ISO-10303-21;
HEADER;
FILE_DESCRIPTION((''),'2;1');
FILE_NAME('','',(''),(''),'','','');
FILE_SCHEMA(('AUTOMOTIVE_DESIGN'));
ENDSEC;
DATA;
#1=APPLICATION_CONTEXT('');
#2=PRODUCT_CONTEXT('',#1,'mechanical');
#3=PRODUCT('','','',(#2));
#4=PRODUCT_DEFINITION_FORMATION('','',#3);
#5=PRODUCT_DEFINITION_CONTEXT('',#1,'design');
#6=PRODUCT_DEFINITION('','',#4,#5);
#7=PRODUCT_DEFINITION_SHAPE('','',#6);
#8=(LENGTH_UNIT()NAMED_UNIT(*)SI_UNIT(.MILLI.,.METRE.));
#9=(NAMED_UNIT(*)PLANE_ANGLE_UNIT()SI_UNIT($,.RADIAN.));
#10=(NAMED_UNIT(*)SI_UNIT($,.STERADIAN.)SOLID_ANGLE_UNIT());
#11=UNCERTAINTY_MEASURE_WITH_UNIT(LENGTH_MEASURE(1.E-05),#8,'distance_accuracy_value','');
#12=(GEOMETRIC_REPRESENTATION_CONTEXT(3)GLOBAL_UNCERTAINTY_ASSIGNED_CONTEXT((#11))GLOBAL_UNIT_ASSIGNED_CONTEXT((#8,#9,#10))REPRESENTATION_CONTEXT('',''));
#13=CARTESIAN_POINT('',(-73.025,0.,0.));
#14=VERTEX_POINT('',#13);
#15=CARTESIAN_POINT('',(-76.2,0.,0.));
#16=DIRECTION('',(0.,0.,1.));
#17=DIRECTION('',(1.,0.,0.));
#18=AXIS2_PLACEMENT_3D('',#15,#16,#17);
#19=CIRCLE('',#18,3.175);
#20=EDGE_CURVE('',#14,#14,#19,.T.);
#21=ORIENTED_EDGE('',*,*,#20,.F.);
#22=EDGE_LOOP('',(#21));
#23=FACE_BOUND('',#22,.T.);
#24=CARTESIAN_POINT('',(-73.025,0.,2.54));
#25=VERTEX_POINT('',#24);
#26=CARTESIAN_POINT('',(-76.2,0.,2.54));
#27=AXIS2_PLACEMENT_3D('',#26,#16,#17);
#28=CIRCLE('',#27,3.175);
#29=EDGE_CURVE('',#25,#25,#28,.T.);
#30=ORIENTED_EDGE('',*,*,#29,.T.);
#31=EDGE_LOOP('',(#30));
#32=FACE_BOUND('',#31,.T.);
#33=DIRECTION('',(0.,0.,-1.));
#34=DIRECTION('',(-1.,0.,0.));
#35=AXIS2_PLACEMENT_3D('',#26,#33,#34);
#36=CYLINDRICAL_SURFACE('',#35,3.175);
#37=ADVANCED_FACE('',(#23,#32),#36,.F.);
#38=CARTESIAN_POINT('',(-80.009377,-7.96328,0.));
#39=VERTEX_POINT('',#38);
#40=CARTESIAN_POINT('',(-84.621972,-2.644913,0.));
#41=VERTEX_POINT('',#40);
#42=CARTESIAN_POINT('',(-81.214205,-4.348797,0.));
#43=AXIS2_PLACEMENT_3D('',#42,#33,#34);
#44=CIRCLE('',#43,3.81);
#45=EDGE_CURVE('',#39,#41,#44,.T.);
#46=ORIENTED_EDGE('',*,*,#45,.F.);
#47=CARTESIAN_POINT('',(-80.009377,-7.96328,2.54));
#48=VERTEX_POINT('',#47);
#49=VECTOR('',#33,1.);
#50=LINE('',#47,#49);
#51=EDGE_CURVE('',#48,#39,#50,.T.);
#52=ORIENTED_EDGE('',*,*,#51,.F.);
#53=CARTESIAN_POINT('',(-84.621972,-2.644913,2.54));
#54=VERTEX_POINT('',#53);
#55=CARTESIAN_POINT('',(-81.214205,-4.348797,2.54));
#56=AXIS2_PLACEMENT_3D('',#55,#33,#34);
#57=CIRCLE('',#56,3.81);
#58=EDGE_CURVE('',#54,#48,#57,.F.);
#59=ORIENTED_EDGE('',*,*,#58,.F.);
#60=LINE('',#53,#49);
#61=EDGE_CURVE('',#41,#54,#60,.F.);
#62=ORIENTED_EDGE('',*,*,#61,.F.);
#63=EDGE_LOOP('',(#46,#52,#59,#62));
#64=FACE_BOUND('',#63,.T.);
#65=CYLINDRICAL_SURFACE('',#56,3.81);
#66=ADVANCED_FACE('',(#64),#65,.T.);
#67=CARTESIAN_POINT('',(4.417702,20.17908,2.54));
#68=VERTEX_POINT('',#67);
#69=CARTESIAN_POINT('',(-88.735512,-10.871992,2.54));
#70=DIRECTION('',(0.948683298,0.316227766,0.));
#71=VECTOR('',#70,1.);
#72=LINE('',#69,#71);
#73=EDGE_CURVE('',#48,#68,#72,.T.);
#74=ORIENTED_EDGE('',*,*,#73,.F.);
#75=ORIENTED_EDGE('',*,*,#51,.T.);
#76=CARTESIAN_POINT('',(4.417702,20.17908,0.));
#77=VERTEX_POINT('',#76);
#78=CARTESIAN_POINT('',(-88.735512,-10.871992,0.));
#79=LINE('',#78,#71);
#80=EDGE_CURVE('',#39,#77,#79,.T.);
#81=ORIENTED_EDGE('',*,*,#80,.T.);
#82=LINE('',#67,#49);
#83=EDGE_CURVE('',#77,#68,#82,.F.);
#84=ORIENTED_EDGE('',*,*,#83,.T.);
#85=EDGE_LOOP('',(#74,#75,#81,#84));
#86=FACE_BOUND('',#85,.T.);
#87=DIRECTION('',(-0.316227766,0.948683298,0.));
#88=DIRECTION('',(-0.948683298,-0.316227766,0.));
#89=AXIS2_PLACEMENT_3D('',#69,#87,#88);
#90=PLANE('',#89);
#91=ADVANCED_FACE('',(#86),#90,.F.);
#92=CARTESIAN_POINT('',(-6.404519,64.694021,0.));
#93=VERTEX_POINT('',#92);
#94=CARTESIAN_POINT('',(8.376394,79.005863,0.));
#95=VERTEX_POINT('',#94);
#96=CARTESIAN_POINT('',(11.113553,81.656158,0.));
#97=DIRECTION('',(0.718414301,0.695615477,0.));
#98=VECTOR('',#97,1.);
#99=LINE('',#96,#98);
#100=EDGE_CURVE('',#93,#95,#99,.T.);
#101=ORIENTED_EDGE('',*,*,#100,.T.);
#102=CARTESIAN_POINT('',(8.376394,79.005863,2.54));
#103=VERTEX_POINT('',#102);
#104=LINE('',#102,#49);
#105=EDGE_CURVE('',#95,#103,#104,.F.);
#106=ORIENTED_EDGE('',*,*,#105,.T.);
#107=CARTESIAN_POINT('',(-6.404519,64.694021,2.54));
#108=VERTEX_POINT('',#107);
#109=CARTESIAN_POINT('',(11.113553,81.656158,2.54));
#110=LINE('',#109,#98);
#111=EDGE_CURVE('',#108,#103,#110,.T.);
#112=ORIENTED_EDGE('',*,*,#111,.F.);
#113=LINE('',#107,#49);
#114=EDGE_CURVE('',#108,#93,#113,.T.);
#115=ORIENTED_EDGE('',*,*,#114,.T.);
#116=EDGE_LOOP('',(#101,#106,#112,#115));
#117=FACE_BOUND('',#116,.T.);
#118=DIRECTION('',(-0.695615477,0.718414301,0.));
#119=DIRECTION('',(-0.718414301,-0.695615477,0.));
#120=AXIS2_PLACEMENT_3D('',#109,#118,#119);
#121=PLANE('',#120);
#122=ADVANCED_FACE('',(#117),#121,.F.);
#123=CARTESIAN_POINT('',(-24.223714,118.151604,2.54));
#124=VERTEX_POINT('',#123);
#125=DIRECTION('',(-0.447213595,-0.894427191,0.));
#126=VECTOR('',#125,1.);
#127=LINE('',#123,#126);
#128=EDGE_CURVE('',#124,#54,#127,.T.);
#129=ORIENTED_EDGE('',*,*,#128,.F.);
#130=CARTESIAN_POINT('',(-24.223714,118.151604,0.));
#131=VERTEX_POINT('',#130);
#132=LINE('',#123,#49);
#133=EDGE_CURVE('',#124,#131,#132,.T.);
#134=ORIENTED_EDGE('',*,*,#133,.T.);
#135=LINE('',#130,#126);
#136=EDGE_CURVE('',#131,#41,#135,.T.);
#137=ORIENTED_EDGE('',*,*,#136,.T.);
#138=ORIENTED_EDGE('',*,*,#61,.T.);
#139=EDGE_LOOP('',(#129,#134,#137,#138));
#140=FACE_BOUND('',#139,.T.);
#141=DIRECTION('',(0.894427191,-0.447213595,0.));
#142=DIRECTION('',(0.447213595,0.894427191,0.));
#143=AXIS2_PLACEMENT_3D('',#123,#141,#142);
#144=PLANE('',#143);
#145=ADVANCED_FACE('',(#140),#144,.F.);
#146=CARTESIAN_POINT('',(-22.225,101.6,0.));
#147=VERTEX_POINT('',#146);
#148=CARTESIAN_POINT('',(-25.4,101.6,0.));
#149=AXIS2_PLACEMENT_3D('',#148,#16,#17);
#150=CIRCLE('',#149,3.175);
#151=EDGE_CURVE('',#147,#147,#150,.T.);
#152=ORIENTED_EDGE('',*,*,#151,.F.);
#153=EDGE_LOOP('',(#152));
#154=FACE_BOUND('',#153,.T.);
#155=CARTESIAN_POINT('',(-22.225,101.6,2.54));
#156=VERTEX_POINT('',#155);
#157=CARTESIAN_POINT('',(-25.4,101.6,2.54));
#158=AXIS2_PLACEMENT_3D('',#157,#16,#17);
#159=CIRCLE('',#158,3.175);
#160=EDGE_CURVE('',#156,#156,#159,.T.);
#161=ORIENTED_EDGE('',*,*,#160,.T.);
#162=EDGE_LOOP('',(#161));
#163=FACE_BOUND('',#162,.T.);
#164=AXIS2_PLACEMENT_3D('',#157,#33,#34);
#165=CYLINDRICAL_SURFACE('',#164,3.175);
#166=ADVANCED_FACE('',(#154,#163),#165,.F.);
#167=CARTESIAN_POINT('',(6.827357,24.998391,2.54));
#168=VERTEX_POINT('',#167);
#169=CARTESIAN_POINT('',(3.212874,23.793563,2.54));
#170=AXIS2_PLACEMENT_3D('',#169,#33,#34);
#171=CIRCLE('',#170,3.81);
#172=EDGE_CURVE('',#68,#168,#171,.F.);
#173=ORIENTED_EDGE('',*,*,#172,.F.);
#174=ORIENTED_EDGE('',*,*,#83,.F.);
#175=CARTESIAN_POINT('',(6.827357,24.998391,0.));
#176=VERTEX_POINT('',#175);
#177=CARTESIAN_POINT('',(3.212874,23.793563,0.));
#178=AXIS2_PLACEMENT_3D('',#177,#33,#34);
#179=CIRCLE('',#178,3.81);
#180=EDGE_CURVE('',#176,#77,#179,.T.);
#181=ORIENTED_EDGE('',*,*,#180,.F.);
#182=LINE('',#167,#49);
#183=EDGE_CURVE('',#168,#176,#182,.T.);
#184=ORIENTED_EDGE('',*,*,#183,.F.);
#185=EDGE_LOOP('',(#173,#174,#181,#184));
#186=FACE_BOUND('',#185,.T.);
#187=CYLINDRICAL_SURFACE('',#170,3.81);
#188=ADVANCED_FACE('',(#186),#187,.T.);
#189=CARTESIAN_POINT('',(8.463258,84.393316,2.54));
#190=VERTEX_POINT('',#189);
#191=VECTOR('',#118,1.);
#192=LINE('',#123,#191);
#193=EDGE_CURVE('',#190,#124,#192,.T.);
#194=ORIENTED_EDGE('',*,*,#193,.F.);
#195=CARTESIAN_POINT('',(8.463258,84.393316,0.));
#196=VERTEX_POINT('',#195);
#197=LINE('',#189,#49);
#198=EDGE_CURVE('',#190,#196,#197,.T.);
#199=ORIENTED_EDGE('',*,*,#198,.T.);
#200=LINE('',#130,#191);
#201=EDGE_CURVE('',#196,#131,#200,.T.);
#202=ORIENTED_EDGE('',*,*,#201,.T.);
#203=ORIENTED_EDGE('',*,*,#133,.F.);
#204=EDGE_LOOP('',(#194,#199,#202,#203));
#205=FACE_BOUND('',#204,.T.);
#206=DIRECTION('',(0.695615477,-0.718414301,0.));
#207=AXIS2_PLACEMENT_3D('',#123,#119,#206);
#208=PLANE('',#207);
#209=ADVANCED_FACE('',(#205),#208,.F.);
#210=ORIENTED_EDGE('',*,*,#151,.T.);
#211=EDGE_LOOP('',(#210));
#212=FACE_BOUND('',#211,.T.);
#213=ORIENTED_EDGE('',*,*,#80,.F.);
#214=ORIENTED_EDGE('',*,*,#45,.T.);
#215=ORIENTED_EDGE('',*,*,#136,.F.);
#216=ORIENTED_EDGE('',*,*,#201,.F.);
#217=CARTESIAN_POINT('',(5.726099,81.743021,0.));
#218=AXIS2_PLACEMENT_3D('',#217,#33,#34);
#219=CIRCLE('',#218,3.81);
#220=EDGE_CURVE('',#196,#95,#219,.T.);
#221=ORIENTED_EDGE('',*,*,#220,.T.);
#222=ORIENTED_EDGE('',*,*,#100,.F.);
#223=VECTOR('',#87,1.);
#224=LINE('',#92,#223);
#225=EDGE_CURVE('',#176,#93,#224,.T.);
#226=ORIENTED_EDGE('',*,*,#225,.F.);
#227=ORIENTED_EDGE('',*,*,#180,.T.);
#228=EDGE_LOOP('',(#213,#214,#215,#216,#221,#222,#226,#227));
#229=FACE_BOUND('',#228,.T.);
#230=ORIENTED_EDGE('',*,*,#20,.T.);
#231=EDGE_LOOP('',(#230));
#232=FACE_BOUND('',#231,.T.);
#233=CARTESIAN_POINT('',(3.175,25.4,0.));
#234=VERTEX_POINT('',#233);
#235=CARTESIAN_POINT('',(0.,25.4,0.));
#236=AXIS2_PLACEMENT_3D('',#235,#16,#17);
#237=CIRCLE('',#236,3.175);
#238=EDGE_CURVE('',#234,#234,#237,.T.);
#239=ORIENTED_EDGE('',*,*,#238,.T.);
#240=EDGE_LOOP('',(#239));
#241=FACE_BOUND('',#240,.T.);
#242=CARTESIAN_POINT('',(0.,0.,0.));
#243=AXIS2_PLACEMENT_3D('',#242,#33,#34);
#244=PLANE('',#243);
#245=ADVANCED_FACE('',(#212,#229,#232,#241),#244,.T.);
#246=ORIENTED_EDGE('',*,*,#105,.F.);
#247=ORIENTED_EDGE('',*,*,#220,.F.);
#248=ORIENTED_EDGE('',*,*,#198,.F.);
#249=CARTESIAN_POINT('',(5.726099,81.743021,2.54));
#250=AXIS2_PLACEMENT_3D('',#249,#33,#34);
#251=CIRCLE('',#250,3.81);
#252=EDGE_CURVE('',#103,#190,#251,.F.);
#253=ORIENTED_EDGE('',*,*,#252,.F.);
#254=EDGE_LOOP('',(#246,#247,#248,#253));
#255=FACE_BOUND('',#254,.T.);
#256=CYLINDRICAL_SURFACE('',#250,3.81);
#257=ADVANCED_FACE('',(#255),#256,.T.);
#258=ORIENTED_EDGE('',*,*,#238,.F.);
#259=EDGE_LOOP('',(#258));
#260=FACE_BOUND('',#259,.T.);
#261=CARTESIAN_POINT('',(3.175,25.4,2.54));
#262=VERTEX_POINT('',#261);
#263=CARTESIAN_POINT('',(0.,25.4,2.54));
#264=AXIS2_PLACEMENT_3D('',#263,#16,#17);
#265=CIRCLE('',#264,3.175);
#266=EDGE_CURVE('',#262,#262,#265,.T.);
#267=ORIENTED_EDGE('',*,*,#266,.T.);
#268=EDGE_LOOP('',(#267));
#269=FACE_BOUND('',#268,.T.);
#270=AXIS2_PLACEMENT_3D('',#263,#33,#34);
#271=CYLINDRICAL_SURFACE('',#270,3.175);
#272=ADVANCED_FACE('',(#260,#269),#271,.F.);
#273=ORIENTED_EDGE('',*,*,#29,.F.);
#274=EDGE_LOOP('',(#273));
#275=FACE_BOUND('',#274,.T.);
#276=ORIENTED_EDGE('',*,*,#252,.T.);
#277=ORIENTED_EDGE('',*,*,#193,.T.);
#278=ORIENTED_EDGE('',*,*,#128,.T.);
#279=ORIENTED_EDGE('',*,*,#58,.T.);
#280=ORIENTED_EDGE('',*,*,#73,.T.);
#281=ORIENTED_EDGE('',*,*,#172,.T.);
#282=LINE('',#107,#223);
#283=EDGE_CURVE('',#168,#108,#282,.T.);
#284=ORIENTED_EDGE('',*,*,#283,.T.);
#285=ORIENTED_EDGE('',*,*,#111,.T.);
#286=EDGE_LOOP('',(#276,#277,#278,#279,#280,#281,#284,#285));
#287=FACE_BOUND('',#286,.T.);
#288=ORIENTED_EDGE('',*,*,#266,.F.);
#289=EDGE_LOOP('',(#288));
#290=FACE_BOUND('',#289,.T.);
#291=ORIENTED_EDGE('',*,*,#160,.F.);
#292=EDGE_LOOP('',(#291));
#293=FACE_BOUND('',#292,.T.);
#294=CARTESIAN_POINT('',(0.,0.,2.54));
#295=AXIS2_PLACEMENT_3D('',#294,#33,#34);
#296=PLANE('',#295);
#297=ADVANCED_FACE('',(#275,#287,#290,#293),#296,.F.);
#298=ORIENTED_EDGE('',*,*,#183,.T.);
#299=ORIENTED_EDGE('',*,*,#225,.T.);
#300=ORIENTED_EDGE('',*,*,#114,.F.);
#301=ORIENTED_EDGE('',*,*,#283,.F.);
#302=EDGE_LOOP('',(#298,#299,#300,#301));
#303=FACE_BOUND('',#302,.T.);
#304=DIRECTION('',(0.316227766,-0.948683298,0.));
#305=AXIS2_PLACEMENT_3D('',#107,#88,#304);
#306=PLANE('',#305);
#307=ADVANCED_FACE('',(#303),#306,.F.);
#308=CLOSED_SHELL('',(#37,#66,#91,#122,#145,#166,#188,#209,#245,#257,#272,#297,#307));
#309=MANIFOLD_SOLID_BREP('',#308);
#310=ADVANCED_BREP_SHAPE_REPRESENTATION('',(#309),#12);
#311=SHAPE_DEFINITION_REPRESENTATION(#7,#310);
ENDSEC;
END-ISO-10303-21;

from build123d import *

# Parameters (mm, degrees)
SKETCH1_R           = 3.175
BOSS_EXTRUDE1_DEPTH = 2.54
FILLET1_R           = 3.81


with BuildPart() as part:
    # Sketch1 → Boss-Extrude1 (new body)
    with BuildSketch(Plane.XY):
        Polygon((-24.223713703, 118.151604251), (-88.735511623, -10.871991588), (8.032185257, 21.383907372), (-6.404519195, 64.694020727), (11.113552526, 81.656157748), align=None)
        with Locations((-76.2, 0)):
            Circle(SKETCH1_R, mode=Mode.SUBTRACT)
        with Locations((0, 25.4)):
            Circle(SKETCH1_R, mode=Mode.SUBTRACT)
        with Locations((-25.4, 101.6)):
            Circle(SKETCH1_R, mode=Mode.SUBTRACT)
    extrude(amount=BOSS_EXTRUDE1_DEPTH)

    # Fillet1
    fillet1_edges = [part.edges().sort_by_distance(p)[0] for p in [
        (11.113552526, 81.656157748, 1.27),
        (8.032185257, 21.383907372, 1.27),
        (-88.735511623, -10.871991588, 1.27),
    ]]
    fillet(fillet1_edges, radius=FILLET1_R)


solid = part.part
